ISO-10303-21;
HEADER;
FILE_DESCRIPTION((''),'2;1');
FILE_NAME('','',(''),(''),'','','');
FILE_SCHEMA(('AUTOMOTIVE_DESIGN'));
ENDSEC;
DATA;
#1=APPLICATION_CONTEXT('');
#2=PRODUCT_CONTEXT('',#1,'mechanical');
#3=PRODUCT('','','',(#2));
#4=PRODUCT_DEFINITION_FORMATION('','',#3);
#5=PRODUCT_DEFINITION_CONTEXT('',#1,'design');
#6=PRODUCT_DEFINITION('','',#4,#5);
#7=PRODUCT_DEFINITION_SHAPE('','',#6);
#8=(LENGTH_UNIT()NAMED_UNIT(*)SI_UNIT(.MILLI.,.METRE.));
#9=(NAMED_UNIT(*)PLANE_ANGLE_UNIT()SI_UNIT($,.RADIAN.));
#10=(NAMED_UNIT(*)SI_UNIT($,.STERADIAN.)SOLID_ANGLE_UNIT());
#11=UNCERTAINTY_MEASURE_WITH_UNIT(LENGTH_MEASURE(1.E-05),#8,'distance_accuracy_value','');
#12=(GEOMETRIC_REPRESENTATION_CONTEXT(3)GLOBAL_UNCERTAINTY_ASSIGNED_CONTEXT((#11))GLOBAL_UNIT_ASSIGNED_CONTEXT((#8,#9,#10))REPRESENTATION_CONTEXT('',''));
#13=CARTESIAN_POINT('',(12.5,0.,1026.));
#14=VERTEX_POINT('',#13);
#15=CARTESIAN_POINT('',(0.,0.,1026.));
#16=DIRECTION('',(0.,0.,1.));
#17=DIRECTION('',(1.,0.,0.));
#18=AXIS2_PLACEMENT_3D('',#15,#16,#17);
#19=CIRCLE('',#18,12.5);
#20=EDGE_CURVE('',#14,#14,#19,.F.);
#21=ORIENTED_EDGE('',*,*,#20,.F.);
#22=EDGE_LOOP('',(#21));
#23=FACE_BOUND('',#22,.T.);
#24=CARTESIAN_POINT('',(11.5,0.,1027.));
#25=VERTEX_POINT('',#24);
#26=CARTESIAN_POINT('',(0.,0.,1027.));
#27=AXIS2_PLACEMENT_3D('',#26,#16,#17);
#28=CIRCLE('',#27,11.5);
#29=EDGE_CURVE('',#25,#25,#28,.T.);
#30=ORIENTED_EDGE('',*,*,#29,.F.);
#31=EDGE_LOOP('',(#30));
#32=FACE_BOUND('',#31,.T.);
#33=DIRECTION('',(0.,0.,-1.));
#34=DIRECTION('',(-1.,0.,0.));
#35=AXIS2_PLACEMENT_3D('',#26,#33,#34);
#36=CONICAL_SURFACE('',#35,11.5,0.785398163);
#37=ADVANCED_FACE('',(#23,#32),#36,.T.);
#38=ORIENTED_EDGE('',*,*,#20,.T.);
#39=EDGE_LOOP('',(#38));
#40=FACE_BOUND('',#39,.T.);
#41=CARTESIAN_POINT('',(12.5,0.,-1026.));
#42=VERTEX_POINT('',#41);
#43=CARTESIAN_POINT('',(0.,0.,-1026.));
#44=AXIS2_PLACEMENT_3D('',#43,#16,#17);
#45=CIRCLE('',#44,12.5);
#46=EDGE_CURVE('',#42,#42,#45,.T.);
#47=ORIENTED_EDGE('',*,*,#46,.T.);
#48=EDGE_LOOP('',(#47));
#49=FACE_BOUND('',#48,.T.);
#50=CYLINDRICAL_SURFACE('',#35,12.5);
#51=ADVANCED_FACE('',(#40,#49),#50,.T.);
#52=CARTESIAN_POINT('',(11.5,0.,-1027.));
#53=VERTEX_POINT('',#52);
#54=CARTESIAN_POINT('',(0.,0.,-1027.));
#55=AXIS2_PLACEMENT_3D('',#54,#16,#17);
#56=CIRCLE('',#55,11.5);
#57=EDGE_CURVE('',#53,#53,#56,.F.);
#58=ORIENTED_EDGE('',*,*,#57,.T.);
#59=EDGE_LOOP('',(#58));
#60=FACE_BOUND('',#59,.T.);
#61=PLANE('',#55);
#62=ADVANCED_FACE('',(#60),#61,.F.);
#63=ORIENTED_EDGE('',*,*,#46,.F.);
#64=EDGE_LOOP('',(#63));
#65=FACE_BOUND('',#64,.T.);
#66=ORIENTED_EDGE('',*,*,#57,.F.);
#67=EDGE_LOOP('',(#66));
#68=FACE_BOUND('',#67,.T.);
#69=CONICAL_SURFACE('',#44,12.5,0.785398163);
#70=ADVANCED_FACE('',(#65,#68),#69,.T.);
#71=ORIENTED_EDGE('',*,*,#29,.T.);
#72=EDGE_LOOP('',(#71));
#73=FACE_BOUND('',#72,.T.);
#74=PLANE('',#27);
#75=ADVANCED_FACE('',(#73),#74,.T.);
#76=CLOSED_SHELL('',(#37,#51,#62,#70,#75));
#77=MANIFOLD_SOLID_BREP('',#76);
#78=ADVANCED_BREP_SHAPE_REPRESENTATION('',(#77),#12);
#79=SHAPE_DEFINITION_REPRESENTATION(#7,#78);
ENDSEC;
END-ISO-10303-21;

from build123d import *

# Parameters (mm, degrees)
SKETCH_1_R      = 12.5
EXTRUDE_1_DEPTH = 1027
CHAMFER_1_SIZE  = 1


with BuildPart() as part:
    # Эскиз1 → Бобышка-Вытянуть1 (new, symmetric)
    with BuildSketch(Plane.XY):
        Circle(SKETCH_1_R)
    extrude(amount=EXTRUDE_1_DEPTH, both=True)

    # Фаска1
    chamfer_1_edges = [part.edges().sort_by_distance(p)[0] for p in [
        (-12.5, 0, -1027),
        (-12.5, 0, 1027),
    ]]
    chamfer(chamfer_1_edges, length=CHAMFER_1_SIZE)


solid = part.part
